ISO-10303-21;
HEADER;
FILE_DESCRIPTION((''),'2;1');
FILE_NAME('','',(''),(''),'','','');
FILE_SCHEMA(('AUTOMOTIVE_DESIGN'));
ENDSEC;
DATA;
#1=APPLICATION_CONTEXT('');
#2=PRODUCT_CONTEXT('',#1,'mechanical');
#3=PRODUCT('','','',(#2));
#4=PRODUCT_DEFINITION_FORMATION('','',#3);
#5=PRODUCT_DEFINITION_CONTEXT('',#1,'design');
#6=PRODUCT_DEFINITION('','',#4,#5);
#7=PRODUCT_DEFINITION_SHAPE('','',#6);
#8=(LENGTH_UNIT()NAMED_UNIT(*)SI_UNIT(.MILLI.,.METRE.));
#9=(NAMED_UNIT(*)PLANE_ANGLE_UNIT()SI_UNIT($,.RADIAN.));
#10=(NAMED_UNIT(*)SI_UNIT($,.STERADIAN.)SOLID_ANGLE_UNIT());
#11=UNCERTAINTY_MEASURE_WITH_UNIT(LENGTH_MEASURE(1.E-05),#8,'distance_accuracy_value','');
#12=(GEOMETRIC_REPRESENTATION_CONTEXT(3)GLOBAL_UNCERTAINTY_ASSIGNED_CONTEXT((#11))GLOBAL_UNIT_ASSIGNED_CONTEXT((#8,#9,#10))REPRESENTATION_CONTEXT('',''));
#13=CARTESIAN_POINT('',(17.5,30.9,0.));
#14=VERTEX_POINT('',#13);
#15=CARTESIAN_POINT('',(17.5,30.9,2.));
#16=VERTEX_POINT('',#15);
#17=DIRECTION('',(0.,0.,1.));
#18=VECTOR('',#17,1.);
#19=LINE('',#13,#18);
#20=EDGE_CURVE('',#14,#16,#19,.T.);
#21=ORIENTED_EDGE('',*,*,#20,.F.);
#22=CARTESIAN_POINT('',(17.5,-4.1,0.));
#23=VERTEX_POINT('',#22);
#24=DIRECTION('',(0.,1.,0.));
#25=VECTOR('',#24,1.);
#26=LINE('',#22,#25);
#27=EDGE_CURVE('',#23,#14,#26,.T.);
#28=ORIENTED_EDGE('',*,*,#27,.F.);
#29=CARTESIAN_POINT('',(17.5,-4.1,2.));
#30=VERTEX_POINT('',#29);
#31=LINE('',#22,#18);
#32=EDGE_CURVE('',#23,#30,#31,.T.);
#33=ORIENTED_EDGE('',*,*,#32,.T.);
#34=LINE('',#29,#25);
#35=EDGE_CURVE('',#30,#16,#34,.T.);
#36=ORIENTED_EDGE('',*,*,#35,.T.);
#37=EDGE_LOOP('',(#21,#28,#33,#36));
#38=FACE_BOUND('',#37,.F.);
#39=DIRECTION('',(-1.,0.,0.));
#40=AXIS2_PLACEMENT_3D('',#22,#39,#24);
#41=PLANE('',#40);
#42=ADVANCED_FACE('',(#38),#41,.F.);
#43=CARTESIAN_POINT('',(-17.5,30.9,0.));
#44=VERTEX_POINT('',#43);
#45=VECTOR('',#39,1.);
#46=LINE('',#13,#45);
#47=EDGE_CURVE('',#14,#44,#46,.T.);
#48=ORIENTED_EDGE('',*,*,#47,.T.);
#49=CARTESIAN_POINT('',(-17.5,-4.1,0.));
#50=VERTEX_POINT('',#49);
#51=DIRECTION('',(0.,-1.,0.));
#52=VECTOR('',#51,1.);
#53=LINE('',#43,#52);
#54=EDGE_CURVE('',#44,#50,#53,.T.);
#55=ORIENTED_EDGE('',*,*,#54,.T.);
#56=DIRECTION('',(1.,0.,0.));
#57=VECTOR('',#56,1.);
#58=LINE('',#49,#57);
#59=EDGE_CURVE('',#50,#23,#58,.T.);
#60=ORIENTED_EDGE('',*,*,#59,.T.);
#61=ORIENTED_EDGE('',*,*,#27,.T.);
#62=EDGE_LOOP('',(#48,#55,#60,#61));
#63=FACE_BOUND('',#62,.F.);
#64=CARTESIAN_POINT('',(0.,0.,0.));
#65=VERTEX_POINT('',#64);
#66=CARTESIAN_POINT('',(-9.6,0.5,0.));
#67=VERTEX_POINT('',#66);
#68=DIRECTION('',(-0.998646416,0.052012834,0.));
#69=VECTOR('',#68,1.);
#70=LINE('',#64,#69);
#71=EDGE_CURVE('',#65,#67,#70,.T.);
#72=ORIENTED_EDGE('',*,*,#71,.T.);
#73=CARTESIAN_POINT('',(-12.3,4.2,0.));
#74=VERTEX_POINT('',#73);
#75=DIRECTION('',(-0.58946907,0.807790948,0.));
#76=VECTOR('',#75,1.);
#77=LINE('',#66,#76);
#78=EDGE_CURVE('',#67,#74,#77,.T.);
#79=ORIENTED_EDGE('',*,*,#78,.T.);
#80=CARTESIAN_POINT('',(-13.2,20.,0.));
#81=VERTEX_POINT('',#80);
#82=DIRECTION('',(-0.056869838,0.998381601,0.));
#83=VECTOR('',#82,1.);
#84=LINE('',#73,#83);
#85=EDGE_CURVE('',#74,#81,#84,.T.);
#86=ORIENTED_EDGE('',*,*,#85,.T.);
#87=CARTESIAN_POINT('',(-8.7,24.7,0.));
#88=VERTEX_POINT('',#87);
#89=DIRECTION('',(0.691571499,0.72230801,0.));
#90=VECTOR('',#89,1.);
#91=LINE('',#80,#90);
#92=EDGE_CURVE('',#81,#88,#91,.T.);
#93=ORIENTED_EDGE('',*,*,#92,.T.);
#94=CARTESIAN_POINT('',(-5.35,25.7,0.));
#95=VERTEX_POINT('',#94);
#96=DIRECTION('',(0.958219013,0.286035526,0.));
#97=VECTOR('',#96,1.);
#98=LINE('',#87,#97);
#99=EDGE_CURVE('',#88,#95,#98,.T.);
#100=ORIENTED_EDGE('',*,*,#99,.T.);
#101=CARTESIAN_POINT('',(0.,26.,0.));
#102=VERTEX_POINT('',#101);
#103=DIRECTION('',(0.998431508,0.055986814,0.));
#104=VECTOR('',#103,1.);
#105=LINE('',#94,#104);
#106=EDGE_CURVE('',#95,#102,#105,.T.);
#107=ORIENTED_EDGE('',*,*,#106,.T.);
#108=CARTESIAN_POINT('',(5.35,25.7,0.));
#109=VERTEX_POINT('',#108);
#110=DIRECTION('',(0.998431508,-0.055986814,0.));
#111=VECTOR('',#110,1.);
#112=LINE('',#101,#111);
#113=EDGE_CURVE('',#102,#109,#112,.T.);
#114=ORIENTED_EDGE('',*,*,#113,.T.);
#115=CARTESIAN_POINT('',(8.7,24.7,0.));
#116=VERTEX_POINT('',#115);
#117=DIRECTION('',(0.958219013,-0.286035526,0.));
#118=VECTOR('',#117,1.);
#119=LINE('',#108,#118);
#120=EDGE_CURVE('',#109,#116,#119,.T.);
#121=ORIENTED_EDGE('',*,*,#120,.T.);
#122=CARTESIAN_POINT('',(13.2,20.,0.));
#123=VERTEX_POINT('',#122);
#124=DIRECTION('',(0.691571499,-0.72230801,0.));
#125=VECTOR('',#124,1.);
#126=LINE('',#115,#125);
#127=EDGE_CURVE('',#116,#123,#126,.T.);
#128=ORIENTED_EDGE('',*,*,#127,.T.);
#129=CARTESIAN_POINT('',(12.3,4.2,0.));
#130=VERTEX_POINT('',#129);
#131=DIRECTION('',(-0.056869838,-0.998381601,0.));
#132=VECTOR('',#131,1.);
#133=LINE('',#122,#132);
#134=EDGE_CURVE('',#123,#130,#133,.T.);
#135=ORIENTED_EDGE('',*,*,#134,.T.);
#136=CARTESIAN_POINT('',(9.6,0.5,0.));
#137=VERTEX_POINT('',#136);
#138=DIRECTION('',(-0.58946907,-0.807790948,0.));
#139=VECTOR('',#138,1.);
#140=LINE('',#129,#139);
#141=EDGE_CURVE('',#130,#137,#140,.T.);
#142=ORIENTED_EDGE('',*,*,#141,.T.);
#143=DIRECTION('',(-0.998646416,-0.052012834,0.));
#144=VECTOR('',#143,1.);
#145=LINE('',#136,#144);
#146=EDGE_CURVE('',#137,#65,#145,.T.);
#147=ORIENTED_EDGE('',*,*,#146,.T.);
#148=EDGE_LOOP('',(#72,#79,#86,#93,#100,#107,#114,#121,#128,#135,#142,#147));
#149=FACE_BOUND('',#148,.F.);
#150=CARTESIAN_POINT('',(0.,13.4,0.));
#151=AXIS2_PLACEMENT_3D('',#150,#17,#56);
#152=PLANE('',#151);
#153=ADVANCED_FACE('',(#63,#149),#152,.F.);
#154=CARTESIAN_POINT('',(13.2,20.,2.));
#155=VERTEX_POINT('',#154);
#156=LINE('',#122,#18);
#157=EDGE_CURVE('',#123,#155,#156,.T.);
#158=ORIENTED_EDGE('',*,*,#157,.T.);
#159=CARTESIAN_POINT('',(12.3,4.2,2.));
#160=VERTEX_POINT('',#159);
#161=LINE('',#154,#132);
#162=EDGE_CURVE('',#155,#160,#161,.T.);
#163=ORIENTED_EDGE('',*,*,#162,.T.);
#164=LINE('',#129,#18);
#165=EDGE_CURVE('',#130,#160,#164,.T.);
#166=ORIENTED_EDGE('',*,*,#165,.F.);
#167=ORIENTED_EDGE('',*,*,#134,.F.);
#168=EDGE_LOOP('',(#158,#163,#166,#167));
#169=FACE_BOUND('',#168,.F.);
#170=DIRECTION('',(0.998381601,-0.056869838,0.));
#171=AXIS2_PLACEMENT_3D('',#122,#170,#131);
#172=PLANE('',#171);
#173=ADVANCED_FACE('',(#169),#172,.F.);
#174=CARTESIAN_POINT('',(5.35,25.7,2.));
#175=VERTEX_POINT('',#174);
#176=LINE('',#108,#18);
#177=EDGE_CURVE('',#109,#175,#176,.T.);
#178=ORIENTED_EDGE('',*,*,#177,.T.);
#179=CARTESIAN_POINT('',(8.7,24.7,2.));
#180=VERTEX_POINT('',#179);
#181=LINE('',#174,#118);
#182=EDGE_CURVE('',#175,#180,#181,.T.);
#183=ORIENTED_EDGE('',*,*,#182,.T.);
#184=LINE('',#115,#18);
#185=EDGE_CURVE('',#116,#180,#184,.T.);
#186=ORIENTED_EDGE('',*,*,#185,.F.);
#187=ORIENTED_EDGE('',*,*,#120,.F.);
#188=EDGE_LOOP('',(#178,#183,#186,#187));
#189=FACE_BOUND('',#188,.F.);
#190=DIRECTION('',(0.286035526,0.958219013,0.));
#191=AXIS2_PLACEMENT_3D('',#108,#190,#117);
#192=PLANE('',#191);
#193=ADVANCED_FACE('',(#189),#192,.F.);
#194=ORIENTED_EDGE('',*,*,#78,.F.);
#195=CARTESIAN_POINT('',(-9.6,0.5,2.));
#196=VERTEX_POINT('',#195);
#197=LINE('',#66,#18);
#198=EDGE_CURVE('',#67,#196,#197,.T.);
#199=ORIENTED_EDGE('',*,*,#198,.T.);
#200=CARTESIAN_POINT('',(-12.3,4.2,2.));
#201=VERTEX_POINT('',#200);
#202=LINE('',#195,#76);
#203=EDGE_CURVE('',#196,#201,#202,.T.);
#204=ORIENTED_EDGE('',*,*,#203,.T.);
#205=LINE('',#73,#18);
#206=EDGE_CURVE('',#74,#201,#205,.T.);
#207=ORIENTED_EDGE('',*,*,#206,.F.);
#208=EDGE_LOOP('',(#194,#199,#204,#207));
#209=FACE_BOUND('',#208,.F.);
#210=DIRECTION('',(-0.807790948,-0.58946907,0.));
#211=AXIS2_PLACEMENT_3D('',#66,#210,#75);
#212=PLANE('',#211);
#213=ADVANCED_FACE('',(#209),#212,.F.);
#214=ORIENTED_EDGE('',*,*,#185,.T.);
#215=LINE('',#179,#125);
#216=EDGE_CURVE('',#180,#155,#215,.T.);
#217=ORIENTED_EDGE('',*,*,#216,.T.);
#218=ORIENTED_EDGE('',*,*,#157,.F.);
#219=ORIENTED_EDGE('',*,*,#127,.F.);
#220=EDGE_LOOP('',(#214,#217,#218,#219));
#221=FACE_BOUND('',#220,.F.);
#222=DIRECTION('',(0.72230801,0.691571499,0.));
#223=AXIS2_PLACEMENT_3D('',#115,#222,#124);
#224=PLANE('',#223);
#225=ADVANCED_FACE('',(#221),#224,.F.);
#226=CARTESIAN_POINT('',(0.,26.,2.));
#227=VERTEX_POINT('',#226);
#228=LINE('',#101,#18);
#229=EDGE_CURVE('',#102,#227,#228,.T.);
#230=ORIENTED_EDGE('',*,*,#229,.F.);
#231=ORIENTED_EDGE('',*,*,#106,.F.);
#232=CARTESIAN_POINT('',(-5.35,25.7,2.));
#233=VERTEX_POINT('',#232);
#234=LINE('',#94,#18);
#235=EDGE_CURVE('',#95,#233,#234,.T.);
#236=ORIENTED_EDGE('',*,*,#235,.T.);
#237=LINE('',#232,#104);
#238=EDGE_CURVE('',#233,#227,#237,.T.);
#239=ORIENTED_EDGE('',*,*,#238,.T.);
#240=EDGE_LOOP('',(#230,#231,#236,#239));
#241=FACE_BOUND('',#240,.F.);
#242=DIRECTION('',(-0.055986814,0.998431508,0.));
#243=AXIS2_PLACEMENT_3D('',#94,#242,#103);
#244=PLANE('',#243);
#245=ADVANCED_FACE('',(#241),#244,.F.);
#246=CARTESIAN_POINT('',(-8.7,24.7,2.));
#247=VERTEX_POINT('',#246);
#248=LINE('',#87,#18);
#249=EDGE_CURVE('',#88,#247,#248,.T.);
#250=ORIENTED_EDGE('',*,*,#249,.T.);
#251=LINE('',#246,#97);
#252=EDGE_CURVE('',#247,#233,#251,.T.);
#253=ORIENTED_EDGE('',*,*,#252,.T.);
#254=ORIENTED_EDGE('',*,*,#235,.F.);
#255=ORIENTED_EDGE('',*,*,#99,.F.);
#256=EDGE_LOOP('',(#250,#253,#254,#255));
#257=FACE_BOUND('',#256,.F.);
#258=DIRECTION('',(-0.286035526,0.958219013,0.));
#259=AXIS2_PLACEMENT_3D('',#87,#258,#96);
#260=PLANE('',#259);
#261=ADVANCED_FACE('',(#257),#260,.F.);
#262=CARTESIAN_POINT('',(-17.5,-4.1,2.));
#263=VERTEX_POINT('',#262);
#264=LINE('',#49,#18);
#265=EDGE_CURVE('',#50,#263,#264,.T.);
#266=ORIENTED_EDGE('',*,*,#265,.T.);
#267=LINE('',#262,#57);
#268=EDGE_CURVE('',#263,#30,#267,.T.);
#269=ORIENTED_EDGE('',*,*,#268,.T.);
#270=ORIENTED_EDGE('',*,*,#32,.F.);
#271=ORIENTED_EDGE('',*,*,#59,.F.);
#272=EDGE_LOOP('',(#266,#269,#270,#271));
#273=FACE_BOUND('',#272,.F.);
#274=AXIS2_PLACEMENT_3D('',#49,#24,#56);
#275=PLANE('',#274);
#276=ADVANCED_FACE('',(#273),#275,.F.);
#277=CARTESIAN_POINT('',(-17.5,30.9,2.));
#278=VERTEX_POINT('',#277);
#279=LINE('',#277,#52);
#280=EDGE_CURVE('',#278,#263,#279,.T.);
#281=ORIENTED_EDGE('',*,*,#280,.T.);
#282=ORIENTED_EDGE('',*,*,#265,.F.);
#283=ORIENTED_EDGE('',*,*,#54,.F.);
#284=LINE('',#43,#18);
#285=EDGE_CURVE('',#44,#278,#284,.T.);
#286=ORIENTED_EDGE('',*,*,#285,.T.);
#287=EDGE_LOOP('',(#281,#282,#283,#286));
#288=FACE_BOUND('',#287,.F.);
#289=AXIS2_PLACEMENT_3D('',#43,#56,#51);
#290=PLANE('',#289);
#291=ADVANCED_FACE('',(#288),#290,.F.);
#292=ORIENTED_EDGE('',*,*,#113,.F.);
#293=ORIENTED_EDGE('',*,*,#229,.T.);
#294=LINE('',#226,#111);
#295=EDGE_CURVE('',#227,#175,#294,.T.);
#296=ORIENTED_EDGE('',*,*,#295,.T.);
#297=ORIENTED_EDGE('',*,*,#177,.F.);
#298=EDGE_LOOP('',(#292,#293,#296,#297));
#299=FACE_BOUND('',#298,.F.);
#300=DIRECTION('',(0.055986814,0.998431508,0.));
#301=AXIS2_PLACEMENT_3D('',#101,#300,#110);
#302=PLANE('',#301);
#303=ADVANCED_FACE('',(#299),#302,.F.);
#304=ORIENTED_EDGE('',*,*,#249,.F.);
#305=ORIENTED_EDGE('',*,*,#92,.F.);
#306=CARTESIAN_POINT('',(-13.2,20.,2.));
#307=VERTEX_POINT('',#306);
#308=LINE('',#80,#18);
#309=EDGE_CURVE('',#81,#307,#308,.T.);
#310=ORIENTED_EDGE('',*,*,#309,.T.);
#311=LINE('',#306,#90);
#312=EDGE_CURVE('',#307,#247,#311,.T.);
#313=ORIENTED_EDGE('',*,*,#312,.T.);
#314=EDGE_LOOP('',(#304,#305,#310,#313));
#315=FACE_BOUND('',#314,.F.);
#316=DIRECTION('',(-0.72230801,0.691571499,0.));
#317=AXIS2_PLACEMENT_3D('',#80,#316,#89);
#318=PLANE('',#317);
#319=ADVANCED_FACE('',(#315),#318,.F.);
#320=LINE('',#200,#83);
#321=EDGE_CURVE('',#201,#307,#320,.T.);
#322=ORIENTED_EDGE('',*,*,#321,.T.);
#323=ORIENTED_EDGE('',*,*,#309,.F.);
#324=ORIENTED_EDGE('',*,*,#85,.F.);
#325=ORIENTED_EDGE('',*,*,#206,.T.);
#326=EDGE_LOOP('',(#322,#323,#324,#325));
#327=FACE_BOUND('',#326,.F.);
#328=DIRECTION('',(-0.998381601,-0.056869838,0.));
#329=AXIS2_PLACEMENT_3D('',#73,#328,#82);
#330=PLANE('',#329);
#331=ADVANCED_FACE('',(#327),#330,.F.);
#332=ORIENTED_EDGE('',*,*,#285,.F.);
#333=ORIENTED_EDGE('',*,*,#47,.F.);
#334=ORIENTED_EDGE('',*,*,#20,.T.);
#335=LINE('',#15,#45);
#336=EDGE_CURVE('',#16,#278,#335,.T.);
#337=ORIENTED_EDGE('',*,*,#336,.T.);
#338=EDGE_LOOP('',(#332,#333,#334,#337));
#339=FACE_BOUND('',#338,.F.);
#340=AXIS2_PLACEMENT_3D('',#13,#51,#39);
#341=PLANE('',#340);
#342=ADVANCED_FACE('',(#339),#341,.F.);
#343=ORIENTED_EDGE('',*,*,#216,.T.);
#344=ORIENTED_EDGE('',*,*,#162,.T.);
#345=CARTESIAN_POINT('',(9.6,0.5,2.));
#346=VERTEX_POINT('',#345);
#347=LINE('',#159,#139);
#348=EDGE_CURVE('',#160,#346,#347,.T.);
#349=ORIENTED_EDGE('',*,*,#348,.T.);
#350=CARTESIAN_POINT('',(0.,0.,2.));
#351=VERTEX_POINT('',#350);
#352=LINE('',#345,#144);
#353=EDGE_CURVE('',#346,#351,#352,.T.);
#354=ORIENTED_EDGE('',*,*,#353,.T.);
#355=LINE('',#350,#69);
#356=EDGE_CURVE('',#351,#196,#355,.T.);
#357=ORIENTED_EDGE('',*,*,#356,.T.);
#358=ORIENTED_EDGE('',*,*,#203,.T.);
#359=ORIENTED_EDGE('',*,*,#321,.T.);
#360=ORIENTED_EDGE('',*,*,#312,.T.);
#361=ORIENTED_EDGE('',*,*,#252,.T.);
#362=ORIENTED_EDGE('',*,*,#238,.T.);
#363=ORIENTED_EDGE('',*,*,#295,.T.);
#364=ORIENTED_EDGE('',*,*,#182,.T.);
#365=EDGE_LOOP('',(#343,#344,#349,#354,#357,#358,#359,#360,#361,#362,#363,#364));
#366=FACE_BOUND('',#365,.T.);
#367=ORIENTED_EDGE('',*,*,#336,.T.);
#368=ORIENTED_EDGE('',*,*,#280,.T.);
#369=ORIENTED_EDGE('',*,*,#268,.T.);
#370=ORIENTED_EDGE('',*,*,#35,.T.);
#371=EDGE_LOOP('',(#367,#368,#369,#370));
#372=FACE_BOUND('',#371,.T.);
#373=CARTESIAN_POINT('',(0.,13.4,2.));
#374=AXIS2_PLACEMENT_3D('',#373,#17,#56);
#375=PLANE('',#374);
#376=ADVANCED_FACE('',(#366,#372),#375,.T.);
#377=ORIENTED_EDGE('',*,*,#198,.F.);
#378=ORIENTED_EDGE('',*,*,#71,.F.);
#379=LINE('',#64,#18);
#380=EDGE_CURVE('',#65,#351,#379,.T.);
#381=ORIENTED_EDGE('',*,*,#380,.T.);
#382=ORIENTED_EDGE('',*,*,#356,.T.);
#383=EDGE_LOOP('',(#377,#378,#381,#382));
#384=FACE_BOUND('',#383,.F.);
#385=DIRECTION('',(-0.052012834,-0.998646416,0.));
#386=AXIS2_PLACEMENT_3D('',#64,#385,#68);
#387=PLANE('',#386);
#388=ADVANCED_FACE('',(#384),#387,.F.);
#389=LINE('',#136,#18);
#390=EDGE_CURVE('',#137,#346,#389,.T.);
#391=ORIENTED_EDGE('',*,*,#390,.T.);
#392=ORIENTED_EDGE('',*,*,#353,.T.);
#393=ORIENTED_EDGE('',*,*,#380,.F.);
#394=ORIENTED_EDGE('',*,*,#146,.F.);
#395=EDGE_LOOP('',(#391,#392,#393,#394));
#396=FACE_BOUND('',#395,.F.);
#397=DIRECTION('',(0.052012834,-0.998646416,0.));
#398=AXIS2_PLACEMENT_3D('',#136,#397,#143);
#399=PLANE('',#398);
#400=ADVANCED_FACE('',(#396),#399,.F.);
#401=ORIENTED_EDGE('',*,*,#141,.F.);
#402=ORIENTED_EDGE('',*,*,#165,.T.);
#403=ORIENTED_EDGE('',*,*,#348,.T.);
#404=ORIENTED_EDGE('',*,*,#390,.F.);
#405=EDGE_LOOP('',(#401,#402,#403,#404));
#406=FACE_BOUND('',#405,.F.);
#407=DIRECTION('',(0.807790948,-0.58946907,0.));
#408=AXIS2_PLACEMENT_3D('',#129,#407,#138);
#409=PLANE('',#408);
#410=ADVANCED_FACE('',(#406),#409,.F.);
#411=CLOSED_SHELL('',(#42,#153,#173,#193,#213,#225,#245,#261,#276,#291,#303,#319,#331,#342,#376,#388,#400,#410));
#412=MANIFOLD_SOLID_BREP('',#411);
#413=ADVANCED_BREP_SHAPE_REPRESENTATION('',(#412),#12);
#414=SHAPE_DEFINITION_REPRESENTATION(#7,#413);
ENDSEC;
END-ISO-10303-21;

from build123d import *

# Parameters (mm, degrees)
F1_DEPTH = 2


with BuildPart() as f1:
    # F0 (on Top) → F1 (new body)
    with BuildSketch(Plane.XY):
        Polygon((-17.5, -4.1), (0, -4.1), (17.5, -4.1), (17.5, 30.9), (0, 30.9), (-17.5, 30.9), align=None)
        Polygon((9.6, 0.5), (0, 0), (-9.6, 0.5), (-12.3, 4.2), (-13.2, 20), (-8.7, 24.7), (-5.35, 25.7), (0, 26), (5.35, 25.7), (8.7, 24.7), (13.2, 20), (12.3, 4.2), align=None, mode=Mode.SUBTRACT)
    extrude(amount=F1_DEPTH)


solid = f1.part
